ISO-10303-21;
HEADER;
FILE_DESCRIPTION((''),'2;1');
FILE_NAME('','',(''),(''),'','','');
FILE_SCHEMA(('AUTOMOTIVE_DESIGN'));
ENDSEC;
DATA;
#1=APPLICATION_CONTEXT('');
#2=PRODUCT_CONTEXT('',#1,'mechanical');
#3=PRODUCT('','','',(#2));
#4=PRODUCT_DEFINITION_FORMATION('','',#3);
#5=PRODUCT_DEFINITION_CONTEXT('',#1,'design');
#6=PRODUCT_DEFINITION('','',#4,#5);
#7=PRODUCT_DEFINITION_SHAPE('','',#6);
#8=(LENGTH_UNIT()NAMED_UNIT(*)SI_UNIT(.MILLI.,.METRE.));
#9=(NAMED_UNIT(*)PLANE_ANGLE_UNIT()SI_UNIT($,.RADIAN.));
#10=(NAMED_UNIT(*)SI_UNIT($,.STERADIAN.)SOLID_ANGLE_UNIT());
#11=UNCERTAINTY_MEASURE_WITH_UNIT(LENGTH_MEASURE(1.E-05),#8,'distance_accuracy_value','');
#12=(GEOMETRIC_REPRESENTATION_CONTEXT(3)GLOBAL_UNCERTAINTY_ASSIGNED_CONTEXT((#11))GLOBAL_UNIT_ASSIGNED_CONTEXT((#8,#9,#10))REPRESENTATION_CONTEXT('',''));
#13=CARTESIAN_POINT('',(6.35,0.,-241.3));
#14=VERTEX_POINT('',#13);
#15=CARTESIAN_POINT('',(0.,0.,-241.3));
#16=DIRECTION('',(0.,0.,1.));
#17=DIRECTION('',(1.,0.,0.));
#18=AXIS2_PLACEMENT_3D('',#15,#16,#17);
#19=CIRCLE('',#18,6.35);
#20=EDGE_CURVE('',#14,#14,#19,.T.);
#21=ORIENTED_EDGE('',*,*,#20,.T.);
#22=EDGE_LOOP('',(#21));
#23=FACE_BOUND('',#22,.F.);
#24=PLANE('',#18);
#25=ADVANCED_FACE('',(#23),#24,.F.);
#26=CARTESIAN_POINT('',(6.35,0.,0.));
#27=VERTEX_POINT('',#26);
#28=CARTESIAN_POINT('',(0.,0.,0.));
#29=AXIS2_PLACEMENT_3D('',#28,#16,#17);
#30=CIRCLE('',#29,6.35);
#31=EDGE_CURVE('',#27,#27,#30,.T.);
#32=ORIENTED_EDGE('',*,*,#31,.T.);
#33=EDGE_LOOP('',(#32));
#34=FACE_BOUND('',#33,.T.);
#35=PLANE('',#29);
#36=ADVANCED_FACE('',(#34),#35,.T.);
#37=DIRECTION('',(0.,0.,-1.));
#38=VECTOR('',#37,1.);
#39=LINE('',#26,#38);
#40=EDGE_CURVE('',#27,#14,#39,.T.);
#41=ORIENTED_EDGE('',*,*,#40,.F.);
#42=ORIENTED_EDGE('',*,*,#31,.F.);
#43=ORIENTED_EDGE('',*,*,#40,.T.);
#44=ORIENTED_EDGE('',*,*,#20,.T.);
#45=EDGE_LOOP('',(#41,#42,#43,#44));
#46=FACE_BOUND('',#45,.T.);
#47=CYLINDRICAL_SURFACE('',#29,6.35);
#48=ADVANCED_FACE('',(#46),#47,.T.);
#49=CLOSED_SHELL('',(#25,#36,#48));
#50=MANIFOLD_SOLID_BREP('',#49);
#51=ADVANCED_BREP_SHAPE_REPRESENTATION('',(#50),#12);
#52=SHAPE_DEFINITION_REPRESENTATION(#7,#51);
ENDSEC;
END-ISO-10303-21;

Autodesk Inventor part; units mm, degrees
ref_plane "YZ Plane" through (0, 0, 0) normal (1, 0, 0) x (0, 1, 0)
ref_plane "XZ Plane" through (0, 0, 0) normal (0, 1, 0) x (-1, 0, 0)
ref_plane "XY Plane" through (0, 0, 0) normal (0, 0, 1) x (1, 0, 0)
sketch "Sketch1" plane through (0, 0, 0) normal (0, 0, 1) x (1, 0, 0)
  circle A0 centre (0, 0) radius 6.35
  dimension "d0" = 12.7
  dimension "d0" = 12.7
extrude "Extrusion1" add sketch "Sketch1" against normal blind 241.3
properties part number "0.5unkeyedaxle_11"
